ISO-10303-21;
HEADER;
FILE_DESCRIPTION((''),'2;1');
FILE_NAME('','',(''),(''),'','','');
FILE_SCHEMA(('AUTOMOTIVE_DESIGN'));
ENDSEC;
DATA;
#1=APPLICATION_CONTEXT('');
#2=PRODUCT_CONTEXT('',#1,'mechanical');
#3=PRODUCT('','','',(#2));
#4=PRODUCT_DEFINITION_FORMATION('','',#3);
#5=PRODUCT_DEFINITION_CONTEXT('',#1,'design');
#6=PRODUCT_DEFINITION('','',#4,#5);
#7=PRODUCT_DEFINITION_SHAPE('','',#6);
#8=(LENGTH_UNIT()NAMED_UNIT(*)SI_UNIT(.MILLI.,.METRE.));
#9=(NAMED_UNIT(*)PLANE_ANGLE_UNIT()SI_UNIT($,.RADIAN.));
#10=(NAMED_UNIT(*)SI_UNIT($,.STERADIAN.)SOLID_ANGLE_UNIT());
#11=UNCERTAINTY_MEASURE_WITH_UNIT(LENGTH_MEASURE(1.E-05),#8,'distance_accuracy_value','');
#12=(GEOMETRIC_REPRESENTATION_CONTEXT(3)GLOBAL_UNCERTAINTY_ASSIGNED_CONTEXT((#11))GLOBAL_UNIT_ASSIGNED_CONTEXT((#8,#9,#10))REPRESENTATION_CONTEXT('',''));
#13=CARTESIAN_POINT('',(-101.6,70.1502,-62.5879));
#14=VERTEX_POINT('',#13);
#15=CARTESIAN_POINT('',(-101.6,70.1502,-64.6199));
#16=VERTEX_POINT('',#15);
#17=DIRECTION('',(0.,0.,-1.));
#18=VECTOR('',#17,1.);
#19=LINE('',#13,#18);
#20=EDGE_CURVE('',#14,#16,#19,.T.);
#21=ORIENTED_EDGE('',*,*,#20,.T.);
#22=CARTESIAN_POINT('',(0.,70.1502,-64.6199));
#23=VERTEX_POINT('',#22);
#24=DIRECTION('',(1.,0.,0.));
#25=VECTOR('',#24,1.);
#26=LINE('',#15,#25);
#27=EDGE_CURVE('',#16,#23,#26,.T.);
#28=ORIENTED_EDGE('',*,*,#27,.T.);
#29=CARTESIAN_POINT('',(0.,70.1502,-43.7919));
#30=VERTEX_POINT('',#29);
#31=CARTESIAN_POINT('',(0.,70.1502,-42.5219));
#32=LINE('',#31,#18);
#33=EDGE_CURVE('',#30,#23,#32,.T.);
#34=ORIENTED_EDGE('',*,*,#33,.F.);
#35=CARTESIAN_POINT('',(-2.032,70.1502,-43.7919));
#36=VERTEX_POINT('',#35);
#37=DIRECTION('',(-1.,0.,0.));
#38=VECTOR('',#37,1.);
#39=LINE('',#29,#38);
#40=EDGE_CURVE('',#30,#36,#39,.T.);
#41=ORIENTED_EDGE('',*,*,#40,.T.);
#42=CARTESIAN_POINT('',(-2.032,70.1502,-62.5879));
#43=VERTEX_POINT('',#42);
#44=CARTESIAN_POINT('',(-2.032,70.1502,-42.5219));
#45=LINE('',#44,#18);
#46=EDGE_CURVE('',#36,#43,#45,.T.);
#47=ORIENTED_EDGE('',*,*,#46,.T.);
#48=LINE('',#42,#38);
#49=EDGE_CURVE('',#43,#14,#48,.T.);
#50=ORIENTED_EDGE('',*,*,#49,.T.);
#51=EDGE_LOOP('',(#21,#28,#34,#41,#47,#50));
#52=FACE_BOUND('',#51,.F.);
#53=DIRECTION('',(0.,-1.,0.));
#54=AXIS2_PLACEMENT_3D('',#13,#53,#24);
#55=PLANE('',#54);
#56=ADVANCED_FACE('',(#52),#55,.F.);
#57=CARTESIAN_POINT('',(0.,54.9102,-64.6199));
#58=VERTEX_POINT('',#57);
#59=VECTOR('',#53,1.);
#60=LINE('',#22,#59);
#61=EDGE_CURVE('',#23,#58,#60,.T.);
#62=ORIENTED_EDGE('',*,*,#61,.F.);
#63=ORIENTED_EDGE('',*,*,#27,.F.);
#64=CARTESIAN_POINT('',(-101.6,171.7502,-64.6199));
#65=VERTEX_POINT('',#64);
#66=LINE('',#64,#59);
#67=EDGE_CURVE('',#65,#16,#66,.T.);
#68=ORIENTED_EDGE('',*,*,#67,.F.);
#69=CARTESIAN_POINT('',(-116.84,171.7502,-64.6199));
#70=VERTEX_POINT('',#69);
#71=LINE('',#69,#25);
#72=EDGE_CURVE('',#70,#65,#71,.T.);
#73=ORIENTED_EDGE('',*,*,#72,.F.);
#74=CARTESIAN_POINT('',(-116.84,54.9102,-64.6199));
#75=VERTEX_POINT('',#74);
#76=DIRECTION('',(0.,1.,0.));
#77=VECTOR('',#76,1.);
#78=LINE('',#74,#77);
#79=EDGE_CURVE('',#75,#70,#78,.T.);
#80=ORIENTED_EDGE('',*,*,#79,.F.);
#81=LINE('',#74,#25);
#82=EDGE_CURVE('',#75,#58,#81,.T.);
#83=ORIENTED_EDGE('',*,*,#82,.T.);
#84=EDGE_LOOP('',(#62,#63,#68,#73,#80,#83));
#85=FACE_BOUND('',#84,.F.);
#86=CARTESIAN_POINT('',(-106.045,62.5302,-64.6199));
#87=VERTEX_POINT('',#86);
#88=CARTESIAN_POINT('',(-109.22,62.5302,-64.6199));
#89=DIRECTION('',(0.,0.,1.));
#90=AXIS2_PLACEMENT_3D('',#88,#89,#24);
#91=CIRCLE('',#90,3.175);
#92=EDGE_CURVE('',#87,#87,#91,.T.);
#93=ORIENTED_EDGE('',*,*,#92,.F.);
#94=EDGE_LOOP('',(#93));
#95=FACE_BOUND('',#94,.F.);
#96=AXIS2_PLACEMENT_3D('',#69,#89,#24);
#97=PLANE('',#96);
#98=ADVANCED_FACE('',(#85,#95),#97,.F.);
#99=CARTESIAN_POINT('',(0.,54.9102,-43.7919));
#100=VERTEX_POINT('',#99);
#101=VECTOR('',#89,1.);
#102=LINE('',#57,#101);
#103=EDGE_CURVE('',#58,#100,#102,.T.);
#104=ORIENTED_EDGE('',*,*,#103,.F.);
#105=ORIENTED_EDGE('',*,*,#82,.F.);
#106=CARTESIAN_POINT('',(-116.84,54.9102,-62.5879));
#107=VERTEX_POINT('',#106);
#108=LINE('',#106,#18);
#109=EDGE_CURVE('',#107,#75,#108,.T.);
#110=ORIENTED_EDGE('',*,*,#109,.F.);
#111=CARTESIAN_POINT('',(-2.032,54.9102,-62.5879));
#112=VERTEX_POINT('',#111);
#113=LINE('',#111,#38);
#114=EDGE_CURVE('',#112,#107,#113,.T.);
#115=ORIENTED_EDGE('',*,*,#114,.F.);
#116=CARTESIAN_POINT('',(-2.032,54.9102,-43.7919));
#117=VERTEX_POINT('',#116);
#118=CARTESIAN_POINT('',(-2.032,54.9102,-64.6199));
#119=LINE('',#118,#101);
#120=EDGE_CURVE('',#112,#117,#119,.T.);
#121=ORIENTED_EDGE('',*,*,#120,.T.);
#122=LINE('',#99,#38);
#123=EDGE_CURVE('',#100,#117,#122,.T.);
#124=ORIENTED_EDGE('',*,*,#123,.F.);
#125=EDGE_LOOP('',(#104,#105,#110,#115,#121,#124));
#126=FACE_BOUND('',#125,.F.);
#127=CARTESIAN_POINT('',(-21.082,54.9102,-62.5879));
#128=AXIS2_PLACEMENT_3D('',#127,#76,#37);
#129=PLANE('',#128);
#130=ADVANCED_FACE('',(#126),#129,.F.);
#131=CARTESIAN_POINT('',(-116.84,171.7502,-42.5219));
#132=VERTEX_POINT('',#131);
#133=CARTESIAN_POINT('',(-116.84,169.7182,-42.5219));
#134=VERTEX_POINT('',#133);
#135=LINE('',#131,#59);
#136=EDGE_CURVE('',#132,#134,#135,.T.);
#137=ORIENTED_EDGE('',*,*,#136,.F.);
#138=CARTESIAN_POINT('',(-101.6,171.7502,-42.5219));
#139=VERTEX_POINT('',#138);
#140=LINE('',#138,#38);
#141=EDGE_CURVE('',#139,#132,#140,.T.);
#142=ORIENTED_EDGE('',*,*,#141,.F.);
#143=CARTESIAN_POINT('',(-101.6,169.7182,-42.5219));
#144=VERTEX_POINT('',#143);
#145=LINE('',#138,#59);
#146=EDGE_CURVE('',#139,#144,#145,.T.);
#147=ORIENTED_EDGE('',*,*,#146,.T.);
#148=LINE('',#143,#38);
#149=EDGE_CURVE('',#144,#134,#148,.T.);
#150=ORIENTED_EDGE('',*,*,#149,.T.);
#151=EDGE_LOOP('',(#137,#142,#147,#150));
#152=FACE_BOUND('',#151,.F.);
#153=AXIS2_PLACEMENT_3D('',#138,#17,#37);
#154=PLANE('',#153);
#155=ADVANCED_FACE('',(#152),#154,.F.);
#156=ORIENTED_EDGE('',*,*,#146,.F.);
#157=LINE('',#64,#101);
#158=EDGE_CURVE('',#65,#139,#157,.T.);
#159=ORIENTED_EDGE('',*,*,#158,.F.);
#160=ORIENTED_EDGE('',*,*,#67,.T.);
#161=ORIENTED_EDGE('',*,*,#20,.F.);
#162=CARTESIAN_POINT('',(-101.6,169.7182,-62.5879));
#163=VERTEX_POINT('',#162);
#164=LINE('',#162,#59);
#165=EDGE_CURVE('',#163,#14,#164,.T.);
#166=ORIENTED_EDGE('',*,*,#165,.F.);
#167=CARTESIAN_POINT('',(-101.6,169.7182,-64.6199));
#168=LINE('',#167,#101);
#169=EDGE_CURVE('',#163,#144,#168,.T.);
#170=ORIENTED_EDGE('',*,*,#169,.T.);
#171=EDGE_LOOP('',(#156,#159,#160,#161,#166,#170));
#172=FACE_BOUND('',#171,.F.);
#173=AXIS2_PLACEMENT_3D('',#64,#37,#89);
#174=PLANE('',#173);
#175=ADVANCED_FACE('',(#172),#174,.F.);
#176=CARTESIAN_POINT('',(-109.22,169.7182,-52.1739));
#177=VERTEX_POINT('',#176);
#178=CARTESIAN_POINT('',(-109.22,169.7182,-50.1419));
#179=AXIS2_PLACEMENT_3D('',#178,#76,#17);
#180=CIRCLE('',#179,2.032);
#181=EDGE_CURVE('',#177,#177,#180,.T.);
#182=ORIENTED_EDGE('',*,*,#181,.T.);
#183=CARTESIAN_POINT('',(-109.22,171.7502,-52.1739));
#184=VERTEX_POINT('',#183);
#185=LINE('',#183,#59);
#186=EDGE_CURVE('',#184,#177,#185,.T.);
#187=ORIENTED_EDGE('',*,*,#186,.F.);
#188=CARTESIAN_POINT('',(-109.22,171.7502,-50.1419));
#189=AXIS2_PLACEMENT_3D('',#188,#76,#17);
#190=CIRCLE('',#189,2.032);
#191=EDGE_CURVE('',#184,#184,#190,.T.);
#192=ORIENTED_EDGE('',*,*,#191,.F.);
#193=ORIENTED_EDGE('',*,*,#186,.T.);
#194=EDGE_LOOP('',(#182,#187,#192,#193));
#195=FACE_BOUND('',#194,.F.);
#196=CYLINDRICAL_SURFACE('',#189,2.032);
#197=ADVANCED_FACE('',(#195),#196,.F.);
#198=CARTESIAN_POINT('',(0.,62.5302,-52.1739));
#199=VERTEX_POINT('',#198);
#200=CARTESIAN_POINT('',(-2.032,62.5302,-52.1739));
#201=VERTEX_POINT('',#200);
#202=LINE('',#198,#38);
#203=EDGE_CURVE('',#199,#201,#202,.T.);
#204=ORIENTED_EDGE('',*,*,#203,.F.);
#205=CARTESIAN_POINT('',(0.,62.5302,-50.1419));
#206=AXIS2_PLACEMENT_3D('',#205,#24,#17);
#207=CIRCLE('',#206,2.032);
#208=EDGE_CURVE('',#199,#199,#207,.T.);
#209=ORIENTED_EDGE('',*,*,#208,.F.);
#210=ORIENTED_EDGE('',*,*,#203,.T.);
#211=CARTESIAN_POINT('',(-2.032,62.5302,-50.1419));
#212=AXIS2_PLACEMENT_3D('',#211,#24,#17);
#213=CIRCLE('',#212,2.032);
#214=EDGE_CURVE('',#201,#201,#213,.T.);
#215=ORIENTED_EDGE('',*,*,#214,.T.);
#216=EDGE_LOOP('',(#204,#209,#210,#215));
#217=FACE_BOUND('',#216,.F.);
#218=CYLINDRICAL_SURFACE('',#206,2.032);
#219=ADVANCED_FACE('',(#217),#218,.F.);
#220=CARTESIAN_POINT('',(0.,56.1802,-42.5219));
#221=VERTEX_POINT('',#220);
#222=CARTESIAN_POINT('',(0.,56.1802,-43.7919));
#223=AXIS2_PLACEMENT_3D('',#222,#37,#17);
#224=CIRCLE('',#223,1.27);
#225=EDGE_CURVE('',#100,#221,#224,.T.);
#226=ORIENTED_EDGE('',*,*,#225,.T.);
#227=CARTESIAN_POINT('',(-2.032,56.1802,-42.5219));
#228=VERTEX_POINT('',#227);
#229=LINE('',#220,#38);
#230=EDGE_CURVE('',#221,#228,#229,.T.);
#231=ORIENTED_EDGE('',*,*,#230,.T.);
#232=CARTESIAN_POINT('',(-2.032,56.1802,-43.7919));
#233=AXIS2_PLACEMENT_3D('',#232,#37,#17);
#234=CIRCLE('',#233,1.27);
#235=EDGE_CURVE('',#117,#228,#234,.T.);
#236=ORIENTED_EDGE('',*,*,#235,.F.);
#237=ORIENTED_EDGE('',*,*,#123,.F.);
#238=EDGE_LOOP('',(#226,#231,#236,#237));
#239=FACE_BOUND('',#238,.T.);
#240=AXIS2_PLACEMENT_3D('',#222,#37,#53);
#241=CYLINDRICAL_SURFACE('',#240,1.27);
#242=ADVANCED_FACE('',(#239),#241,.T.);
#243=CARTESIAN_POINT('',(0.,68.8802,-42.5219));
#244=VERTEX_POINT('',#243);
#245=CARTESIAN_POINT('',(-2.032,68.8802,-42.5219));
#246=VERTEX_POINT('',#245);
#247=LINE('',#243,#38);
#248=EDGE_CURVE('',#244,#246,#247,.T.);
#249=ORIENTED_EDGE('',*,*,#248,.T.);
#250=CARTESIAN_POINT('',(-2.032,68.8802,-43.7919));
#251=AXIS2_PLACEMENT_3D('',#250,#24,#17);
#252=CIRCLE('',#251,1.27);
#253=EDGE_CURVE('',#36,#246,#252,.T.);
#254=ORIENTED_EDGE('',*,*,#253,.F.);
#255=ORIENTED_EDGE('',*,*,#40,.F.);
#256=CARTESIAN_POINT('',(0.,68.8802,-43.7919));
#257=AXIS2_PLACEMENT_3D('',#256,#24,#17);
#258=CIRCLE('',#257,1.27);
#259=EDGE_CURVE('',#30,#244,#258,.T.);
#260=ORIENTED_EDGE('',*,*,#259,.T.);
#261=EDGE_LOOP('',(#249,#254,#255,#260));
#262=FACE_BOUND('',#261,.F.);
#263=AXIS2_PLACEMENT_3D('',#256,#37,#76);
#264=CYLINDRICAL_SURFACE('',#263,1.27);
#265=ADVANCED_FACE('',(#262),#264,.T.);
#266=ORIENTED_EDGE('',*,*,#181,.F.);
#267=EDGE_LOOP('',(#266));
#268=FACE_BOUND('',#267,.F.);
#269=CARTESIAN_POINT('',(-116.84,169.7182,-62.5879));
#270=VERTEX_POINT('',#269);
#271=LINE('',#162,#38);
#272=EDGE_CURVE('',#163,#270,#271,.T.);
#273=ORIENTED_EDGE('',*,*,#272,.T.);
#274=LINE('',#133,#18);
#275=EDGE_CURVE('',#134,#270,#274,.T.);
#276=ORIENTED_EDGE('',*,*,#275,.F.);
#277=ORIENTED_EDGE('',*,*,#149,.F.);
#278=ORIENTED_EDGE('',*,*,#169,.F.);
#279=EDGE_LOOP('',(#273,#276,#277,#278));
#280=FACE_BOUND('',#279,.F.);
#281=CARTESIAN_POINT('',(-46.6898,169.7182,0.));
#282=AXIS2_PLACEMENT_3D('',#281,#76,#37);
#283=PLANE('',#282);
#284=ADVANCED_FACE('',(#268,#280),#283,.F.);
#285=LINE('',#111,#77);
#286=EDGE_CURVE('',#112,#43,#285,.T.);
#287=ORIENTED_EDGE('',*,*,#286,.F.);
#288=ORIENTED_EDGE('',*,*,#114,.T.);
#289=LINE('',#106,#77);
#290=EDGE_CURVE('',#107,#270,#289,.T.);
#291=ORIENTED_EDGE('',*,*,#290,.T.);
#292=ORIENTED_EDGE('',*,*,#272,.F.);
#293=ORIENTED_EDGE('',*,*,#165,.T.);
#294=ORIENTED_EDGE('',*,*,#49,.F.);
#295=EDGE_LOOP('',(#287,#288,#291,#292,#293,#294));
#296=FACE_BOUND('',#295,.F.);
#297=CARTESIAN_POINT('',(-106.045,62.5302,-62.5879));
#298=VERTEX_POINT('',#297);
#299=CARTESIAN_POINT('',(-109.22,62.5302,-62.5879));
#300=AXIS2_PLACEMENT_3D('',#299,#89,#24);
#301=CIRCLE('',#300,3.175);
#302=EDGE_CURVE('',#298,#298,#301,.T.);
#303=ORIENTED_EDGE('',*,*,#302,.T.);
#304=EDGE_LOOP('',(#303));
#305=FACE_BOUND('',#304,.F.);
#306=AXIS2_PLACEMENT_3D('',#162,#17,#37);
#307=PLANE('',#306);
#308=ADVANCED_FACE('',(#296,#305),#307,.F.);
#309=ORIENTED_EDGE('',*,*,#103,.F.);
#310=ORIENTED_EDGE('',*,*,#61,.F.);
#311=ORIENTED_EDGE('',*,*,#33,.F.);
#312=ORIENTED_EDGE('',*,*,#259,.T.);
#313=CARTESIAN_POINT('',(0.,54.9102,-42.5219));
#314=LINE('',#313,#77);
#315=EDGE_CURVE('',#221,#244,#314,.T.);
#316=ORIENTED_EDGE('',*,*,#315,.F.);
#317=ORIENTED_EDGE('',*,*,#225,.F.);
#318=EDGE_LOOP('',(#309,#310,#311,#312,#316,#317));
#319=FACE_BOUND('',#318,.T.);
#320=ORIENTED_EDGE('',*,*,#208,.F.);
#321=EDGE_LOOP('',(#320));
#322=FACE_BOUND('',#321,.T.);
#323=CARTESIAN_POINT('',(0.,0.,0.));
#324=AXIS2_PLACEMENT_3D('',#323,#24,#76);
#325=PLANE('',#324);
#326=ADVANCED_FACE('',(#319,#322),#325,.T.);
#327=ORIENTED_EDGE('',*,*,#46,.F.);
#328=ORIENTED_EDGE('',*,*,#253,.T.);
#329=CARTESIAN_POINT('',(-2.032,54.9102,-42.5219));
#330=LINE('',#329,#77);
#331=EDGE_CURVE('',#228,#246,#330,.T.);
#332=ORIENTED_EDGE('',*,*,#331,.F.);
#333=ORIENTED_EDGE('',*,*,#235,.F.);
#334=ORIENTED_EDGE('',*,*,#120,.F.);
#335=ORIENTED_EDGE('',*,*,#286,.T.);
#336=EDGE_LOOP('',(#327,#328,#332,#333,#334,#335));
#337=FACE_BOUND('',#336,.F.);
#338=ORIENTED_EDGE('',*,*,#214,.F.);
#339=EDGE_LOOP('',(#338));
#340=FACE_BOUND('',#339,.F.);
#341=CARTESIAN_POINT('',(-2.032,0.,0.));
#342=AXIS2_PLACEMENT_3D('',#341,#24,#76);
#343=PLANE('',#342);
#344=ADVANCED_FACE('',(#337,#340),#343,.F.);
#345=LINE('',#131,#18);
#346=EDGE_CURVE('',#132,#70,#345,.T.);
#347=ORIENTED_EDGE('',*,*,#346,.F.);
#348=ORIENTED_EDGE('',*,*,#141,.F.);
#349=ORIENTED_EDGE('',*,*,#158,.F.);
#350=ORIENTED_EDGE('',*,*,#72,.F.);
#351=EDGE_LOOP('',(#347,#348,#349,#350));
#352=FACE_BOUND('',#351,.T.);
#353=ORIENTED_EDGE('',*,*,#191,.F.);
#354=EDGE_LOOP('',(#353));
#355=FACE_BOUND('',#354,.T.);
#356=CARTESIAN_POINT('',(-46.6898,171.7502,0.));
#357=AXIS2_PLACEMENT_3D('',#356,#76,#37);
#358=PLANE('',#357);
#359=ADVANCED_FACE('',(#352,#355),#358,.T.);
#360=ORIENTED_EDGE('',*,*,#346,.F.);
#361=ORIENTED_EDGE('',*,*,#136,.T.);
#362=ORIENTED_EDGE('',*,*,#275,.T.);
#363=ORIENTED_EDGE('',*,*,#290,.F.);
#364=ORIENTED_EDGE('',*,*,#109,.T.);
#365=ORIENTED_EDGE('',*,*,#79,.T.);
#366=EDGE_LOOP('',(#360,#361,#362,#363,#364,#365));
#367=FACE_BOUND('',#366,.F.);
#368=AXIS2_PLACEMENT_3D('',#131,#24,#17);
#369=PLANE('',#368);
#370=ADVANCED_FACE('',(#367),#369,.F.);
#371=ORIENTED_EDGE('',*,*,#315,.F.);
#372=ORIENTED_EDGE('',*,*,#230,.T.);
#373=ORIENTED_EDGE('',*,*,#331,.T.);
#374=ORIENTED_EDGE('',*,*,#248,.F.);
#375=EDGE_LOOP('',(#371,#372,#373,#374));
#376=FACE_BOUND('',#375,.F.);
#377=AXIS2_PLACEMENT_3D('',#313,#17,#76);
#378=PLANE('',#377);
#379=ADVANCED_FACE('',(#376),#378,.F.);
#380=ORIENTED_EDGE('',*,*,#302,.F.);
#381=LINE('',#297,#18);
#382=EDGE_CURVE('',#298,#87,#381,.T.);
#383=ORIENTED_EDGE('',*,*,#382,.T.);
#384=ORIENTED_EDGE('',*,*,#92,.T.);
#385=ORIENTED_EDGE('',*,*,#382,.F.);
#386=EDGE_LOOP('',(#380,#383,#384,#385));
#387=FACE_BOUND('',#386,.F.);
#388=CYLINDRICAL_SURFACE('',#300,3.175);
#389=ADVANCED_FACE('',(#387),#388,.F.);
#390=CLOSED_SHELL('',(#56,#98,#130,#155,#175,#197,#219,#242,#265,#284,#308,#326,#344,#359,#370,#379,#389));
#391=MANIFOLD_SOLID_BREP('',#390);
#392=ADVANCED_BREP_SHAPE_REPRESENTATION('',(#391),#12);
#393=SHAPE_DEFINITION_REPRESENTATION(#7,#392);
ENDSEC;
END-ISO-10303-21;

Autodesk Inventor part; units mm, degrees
ref_plane "YZ Plane" through (0, 0, 0) normal (1, 0, 0) x (0, 1, 0)
ref_plane "XZ Plane" through (0, 0, 0) normal (0, 1, 0) x (-1, 0, 0)
ref_plane "XY Plane" through (0, 0, 0) normal (0, 0, 1) x (1, 0, 0)
sketch "Sketch1" plane through (0, 0, 0) normal (1, 0, 0) x (0, 1, 0)
  line L0 (70.1502, -64.6199) -> (54.9102, -64.6199)
  line L1 (54.9102, -64.6199) -> (54.9102, -42.5219)
  line L2 (54.9102, -42.5219) -> (70.1502, -42.5219)
  line L3 (70.1502, -42.5219) -> (70.1502, -64.6199)
  point P0 (0, 0)
  dimension "d0" = 22.098
  dimension "d1" = 15.24
extrude "Extrusion1" add sketch "Sketch1" against normal blind 2.032
sketch "Sketch2" plane through (-2.032, 0, 0) normal (-1, 0, 0) x (0, 0, 1)
  line L0 (-64.6199, 54.9102) -> (-62.5879, 54.9102)
  line L1 (-62.5879, 54.9102) -> (-62.5879, 70.1502)
  line L2 (-62.5879, 70.1502) -> (-64.6199, 70.1502)
  line L3 (-64.6199, 70.1502) -> (-64.6199, 54.9102)
  line L4 (-64.6199, 70.1502) -> (-64.6199, 54.9102) projected
  line L5 (-42.5219, 70.1502) -> (-64.6199, 70.1502) projected
  line L6 (-64.6199, 54.9102) -> (-42.5219, 54.9102) projected
  point P0 (0, 0)
  dimension "d4" = 2.032
extrude "Extrusion2" add sketch "Sketch2" along normal blind 19.05
sketch "Sketch3" plane through (0, 0, 0) normal (1, 0, 0) x (0, 0, -1)
  circle A0 centre (50.1419, 62.5302) radius 2.032
  line L0 (42.5219, 54.9102) -> (42.5219, 70.1502) projected
  point P0 (0, 0)
  point P1 (42.5219, 62.5302)
  dimension "d7" = 7.62
  dimension "d8" = 4.064
extrude "Extrusion3" cut sketch "Sketch3" against normal up to next
fillet "Fillet1" radius 1.27 2 edges at (-1.016, 54.9102, -42.5219) (-1.016, 70.1502, -42.5219)
ref_plane "Work Plane1" through (-21.082, 62.5302, -64.6199) normal (0, 1, 0) x (1, 0, 0)
sketch "Sketch4" plane through (-2.032, 54.9102, -62.5879) normal (0, 0, 1) x (1, 0, 0)
  line L0 (0, 0) -> (-19.05, 0) projected
  line L1 (-19.05, 0) -> (-114.808, 0)
  line L2 (-114.808, 0) -> (-114.808, 95.758)
  line L3 (-114.808, 95.758) -> (-99.568, 95.758)
  line L4 (-99.568, 95.758) -> (-99.568, 15.24)
  line L5 (0, 15.24) -> (-19.05, 15.24) projected
  line L6 (-99.568, 15.24) -> (-19.05, 15.24)
  line L7 (-19.05, 15.24) -> (-19.05, 0)
  circle A0 centre (-107.188, 7.62) radius 3.175
  line L8 (2.032, 1.27) -> (2.032, 13.97) projected
  point P0 (2.032, -54.9102)
  point P1 (-107.188, 95.758)
  dimension "d12" = 6.35
  dimension "d13" = 15.24
  dimension "d14" = 109.22
  dimension "d15" = 88.138
extrude "Extrusion4" add sketch "Sketch4" against normal up to surface (2.032 mm away)
pattern_circular "Circular Pattern1" count 2 over 90 about axis through (-109.22, 62.5302, -62.5879) along (0, 0, 1) of "Extrusion2", "Extrusion1", "Extrusion3"
ref_plane "Work Plane2" through (-109.22, 169.7182, -62.5879) normal (-1, 0, 0) x (0, 0, 1)
properties part number "Ell-Tab"
